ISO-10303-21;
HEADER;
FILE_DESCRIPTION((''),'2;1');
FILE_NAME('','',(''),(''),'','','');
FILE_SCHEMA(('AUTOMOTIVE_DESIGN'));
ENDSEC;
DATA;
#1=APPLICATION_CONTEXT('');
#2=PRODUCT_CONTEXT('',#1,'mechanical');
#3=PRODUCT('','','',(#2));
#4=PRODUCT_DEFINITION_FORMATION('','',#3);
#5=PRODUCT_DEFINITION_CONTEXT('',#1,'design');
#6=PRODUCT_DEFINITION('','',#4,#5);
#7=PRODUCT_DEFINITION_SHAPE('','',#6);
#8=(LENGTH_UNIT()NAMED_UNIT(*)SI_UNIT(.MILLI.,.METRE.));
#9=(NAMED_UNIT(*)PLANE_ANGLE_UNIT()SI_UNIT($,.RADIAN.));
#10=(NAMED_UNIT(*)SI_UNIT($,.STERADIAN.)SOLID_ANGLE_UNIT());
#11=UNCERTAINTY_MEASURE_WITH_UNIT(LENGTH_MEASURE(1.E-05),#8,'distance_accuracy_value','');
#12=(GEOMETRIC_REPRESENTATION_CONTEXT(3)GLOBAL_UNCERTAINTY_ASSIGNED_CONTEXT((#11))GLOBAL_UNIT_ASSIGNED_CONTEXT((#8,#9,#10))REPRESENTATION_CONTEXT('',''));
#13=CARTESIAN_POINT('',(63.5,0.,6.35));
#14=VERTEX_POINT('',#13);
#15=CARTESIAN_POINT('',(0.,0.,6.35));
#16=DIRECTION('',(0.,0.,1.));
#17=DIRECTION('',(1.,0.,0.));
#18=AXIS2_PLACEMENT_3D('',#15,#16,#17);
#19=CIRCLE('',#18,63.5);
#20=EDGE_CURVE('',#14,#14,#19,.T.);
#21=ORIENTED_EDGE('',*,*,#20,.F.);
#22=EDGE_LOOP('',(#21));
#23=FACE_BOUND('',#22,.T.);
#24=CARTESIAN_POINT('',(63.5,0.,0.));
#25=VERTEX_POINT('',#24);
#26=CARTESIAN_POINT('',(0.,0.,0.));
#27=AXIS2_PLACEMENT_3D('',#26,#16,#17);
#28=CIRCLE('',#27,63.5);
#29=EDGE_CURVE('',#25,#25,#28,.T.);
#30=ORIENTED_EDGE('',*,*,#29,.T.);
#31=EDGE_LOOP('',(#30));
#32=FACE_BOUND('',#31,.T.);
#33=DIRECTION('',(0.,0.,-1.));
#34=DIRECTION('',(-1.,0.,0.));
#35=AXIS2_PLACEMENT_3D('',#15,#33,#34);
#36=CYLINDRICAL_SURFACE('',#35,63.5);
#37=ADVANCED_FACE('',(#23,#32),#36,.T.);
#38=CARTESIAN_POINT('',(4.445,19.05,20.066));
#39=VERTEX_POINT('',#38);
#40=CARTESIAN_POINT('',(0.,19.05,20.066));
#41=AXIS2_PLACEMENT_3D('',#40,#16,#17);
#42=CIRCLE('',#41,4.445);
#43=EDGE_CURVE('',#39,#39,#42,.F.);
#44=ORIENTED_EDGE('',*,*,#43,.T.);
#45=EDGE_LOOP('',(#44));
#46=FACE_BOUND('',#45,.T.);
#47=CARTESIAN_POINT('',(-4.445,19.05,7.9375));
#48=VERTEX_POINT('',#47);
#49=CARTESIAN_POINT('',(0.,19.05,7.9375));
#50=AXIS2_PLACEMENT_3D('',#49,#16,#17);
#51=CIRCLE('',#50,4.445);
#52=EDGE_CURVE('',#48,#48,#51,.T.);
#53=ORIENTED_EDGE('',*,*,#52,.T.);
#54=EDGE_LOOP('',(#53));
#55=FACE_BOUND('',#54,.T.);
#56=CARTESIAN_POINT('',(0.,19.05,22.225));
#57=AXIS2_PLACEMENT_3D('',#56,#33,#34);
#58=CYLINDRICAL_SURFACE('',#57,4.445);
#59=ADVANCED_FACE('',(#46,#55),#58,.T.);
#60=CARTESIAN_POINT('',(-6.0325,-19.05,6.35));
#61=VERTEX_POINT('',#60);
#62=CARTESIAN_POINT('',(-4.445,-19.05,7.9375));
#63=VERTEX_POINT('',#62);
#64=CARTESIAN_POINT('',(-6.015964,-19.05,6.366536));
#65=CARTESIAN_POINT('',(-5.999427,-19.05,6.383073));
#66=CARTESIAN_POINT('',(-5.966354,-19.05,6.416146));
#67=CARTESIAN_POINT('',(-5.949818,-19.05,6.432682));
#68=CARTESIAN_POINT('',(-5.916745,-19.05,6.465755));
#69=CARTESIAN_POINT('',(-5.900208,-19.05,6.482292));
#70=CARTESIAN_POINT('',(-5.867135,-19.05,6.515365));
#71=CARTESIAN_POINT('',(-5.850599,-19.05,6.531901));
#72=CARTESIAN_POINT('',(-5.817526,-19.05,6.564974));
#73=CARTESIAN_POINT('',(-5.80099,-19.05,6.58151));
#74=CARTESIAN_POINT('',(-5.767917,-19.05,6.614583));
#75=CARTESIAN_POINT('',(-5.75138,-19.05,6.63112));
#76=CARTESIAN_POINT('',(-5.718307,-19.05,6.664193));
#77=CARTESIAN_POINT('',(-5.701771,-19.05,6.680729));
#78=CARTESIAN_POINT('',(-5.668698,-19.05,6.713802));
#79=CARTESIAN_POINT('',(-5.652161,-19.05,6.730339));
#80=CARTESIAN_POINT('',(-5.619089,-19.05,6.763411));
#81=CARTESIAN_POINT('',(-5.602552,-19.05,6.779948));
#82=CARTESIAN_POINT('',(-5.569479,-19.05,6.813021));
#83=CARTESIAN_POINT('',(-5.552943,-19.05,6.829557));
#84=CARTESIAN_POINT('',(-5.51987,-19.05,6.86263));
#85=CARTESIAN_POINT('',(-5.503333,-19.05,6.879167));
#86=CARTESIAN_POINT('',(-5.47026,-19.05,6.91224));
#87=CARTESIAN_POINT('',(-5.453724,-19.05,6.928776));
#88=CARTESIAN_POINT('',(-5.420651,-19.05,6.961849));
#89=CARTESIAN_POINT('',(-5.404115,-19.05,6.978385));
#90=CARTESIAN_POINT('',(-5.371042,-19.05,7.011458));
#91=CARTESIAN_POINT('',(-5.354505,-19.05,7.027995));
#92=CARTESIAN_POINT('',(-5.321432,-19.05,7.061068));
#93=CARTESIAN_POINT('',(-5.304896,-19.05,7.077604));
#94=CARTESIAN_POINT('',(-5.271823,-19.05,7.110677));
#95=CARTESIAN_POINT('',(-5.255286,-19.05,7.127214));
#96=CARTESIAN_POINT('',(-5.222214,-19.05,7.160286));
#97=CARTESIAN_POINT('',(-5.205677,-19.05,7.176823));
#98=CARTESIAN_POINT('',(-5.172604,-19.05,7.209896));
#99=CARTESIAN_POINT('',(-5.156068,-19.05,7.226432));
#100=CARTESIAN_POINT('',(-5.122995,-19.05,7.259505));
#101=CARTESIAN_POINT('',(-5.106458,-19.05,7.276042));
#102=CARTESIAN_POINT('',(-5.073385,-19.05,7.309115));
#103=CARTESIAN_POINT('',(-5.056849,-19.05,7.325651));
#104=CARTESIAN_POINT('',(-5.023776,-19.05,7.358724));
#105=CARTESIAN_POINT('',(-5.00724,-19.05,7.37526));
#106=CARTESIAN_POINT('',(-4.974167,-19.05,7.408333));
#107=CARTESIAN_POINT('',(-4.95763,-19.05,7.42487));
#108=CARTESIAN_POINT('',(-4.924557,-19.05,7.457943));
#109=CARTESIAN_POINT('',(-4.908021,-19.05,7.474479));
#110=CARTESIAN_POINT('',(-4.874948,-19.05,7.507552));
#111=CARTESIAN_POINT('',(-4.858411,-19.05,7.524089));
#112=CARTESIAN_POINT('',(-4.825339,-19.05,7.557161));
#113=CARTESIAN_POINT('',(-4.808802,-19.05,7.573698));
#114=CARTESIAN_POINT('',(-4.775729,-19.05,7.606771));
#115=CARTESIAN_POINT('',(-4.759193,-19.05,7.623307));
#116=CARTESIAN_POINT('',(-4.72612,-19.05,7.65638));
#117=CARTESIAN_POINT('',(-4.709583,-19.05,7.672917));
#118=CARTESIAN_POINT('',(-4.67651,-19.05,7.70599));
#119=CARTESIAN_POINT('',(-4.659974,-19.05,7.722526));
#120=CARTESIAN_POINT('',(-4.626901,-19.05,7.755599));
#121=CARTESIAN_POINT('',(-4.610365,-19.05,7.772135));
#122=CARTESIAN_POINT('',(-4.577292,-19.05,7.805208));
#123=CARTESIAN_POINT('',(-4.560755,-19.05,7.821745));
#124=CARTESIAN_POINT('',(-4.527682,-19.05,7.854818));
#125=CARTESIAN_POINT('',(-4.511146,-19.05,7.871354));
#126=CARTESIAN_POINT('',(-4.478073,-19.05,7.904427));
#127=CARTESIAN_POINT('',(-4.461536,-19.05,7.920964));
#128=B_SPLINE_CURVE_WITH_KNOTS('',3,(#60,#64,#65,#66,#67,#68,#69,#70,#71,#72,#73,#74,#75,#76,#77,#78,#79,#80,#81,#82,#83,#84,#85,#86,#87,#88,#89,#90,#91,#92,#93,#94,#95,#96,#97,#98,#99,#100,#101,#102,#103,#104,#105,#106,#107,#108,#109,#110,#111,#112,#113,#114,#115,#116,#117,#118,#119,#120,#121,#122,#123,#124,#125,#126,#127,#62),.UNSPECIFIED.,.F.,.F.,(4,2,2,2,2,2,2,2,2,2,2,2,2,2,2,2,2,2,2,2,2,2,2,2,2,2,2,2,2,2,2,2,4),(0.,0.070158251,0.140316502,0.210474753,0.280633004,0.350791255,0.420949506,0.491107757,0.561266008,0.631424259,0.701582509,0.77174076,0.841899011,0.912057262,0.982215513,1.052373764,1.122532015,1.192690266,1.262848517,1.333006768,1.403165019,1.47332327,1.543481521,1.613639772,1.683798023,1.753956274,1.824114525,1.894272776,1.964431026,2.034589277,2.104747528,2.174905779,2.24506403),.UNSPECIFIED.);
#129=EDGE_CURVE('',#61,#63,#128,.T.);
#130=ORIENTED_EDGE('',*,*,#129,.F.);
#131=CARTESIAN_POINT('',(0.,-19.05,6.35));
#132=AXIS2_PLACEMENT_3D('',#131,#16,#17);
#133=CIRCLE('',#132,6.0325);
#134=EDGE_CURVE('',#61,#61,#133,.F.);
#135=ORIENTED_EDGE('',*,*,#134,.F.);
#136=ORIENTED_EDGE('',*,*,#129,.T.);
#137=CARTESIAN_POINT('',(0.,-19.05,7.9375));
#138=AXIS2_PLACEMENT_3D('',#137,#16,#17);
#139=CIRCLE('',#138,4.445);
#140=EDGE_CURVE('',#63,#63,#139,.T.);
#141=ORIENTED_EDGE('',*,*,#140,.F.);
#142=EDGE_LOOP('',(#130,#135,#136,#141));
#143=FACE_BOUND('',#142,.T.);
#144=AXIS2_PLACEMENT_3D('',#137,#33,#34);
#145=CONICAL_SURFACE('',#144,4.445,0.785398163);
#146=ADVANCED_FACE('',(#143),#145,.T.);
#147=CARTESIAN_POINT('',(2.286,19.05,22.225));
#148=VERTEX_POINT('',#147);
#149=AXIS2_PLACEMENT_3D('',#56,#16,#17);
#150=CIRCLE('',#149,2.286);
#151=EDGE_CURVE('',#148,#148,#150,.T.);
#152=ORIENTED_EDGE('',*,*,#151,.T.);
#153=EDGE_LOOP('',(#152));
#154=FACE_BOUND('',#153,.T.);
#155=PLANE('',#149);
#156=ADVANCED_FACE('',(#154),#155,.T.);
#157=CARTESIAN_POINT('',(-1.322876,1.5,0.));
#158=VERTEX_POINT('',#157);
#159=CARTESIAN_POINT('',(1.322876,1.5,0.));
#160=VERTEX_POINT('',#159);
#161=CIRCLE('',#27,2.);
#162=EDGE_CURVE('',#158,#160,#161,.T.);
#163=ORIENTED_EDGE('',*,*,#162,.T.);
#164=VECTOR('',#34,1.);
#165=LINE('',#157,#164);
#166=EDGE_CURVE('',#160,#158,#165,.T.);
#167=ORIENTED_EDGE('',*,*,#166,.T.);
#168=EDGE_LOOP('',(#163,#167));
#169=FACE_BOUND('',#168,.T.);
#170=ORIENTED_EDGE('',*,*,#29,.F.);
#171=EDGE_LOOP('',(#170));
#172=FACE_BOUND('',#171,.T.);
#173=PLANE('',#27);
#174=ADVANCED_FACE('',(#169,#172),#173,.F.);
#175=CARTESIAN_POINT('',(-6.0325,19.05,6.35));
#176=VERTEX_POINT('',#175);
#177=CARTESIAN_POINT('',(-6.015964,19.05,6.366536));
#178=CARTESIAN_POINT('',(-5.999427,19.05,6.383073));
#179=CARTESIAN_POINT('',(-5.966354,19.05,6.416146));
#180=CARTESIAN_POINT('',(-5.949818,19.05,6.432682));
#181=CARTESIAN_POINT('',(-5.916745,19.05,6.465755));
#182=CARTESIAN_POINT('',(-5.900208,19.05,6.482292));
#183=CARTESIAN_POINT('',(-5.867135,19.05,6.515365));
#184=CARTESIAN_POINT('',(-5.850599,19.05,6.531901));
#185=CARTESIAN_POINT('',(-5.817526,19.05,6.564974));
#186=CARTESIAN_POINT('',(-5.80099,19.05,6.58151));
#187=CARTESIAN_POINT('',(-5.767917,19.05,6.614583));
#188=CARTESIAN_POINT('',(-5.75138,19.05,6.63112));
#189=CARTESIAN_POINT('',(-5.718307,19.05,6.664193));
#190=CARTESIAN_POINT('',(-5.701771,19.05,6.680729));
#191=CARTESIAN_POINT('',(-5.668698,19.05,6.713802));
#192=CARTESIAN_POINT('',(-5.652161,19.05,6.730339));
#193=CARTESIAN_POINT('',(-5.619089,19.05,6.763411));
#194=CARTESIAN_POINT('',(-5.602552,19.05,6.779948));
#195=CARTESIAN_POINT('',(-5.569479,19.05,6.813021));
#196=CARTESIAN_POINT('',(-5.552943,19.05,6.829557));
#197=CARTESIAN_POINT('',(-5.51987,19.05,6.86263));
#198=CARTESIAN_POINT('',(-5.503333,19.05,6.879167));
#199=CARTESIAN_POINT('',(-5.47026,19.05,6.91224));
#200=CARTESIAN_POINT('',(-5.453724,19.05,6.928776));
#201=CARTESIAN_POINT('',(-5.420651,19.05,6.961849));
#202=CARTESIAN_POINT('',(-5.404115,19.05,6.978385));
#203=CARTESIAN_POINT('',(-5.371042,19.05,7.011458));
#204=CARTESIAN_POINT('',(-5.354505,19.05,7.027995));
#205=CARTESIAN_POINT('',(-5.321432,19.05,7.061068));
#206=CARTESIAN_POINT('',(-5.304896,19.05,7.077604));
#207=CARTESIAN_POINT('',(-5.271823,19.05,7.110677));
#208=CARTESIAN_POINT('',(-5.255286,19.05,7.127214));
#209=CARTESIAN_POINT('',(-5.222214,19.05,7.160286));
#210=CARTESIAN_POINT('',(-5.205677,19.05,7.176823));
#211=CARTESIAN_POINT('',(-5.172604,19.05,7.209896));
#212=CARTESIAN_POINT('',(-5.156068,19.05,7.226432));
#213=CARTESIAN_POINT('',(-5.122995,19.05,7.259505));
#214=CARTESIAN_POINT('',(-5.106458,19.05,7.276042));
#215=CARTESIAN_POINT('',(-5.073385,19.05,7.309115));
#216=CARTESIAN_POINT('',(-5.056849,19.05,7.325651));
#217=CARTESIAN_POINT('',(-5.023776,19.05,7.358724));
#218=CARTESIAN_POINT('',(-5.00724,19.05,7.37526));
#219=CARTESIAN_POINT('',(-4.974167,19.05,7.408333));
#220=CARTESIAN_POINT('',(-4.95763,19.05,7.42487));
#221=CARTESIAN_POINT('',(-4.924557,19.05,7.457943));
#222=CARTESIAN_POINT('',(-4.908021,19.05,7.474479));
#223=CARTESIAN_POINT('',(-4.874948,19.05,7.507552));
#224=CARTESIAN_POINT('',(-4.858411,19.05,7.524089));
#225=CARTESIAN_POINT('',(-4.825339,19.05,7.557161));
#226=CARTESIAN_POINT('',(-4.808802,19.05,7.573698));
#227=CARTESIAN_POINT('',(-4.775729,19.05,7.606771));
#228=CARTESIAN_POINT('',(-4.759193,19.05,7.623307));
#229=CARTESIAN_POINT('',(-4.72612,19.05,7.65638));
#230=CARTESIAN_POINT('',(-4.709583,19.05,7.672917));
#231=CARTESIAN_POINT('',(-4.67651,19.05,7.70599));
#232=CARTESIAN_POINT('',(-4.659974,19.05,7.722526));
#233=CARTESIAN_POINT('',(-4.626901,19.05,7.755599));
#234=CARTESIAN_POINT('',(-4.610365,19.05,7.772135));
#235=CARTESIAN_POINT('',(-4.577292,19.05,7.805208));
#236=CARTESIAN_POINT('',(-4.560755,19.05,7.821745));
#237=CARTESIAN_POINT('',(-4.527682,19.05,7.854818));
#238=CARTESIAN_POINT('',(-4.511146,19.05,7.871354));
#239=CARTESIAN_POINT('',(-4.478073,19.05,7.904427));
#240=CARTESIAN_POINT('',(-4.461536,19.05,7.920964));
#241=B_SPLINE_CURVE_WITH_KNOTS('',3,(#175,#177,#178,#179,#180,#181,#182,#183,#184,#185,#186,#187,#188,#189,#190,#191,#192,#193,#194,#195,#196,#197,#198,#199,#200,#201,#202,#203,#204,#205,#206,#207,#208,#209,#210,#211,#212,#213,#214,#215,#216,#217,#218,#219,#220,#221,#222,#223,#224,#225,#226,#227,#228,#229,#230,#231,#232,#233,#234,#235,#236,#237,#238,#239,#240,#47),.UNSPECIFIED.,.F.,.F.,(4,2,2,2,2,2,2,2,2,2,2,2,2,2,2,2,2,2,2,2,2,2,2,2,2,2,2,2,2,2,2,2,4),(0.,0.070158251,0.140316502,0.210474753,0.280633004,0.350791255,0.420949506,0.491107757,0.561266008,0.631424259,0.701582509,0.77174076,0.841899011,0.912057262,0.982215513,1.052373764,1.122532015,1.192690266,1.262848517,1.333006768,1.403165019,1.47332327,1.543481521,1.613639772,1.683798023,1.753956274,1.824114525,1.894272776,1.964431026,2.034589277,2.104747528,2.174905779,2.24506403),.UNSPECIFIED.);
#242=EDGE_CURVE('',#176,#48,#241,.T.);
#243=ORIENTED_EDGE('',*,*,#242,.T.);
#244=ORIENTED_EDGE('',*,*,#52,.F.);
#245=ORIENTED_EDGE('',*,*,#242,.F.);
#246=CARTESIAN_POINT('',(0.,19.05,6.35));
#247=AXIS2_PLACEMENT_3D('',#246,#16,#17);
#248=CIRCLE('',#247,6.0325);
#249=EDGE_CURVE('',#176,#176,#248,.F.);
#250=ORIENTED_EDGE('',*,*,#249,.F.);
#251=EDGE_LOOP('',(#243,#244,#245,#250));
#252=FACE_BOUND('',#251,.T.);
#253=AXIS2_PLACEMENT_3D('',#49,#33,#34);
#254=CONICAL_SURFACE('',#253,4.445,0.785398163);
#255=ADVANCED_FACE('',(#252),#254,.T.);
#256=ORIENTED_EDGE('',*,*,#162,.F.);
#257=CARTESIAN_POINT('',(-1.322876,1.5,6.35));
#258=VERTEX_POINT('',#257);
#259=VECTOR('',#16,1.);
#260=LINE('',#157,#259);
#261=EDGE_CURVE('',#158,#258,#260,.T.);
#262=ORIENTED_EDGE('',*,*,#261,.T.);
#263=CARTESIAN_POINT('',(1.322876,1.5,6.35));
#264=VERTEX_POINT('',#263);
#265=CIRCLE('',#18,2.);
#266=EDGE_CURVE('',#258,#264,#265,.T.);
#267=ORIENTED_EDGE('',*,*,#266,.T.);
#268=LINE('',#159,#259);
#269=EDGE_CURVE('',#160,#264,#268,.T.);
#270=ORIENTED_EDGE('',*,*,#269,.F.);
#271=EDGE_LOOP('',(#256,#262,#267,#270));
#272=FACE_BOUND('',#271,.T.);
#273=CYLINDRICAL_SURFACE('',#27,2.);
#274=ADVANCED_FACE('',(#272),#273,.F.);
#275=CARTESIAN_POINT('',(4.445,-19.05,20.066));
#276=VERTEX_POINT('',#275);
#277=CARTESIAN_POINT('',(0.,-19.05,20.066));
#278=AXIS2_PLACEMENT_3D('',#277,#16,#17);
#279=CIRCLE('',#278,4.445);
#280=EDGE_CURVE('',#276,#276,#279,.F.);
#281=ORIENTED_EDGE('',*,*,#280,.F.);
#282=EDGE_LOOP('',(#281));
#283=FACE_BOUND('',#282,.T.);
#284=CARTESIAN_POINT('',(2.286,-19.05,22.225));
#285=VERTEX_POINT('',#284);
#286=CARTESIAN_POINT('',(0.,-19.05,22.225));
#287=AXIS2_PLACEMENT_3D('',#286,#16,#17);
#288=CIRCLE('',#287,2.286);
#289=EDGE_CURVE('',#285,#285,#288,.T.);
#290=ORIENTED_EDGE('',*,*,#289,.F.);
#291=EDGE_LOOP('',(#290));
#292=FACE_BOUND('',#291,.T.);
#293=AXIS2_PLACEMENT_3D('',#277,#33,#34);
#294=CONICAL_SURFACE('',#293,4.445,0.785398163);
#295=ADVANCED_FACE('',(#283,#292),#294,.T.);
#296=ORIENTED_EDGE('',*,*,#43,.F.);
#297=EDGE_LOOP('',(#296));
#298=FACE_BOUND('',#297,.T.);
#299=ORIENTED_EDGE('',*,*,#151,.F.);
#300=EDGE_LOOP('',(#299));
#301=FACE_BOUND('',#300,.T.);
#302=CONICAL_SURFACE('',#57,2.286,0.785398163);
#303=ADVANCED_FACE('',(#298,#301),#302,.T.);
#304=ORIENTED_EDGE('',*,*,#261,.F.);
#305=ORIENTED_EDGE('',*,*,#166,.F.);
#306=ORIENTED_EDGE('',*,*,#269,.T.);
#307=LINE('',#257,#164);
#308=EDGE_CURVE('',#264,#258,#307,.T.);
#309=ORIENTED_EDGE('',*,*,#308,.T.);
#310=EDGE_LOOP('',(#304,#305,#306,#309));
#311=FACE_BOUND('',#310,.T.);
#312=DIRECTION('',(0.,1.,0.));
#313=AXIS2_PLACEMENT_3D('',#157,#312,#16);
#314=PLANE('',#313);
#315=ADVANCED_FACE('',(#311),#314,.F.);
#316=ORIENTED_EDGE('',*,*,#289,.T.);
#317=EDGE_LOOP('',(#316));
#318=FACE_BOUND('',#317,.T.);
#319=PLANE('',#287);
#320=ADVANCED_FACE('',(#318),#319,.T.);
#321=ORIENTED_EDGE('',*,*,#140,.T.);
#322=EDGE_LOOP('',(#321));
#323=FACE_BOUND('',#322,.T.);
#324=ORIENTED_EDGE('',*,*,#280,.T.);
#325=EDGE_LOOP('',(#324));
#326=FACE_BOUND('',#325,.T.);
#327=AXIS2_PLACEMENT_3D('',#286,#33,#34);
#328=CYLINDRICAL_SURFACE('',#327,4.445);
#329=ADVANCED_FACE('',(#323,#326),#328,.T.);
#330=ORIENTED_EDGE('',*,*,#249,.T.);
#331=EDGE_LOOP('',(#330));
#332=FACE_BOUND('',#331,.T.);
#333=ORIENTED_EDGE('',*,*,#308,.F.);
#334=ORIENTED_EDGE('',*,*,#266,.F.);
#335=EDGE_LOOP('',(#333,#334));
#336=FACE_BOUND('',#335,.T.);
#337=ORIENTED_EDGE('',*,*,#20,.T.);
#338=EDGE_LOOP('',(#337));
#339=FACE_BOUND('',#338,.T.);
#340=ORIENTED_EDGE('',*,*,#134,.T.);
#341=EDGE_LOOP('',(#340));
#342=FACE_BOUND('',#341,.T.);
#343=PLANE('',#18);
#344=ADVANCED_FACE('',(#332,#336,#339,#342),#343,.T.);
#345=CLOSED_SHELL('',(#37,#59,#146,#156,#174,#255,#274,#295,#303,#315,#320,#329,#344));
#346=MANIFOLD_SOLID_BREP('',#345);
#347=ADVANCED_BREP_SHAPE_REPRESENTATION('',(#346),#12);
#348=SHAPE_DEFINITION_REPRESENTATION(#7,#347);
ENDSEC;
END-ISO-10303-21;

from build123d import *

# Parameters (mm, degrees)
SKETCH1_R           = 63.5
BOSS_EXTRUDE1_DEPTH = 6.35
CUT_EXTRUDE1_DEPTH  = 91.02678768
SKETCH4_R           = 4.445
BOSS_EXTRUDE2_DEPTH = 15.875
CHAMFER2_SIZE       = 2.159
CHAMFER3_SIZE       = 1.5875


with BuildPart() as part:
    # Sketch1 → Boss-Extrude1 (new body)
    with BuildSketch(Plane.XY):
        Circle(SKETCH1_R)
    extrude(amount=BOSS_EXTRUDE1_DEPTH)

    # Sketch3 → Cut-Extrude1 (cut, through all)
    with BuildSketch(Plane.XY.offset(6.35)):
        with BuildLine():
            Line((-1.322875656, 1.5), (1.322875656, 1.5))
            ThreePointArc((1.322875656, 1.5), (0, -2), (-1.322875656, 1.5))
        make_face()
    extrude(amount=-CUT_EXTRUDE1_DEPTH, mode=Mode.SUBTRACT)

    # Sketch4 → Boss-Extrude2 (add)
    with BuildSketch(Plane.XY.offset(6.35)):
        with Locations((0, 19.05)):
            Circle(SKETCH4_R)
    boss_extrude2 = extrude(amount=BOSS_EXTRUDE2_DEPTH)

    # Mirror3: Boss-Extrude2 across plane
    add(boss_extrude2.mirror(Plane.ZX))

    # Chamfer2
    chamfer2_edges = [part.edges().sort_by_distance(p)[0] for p in [
        (-4.445, 19.05, 22.225),
        (-4.445, -19.05, 22.225),
    ]]
    chamfer(chamfer2_edges, length=CHAMFER2_SIZE)

    # Chamfer3
    chamfer3_edges = [part.edges().sort_by_distance(p)[0] for p in [
        (-4.445, 19.05, 6.35),
        (-4.445, -19.05, 6.35),
    ]]
    chamfer(chamfer3_edges, length=CHAMFER3_SIZE)


solid = part.part
